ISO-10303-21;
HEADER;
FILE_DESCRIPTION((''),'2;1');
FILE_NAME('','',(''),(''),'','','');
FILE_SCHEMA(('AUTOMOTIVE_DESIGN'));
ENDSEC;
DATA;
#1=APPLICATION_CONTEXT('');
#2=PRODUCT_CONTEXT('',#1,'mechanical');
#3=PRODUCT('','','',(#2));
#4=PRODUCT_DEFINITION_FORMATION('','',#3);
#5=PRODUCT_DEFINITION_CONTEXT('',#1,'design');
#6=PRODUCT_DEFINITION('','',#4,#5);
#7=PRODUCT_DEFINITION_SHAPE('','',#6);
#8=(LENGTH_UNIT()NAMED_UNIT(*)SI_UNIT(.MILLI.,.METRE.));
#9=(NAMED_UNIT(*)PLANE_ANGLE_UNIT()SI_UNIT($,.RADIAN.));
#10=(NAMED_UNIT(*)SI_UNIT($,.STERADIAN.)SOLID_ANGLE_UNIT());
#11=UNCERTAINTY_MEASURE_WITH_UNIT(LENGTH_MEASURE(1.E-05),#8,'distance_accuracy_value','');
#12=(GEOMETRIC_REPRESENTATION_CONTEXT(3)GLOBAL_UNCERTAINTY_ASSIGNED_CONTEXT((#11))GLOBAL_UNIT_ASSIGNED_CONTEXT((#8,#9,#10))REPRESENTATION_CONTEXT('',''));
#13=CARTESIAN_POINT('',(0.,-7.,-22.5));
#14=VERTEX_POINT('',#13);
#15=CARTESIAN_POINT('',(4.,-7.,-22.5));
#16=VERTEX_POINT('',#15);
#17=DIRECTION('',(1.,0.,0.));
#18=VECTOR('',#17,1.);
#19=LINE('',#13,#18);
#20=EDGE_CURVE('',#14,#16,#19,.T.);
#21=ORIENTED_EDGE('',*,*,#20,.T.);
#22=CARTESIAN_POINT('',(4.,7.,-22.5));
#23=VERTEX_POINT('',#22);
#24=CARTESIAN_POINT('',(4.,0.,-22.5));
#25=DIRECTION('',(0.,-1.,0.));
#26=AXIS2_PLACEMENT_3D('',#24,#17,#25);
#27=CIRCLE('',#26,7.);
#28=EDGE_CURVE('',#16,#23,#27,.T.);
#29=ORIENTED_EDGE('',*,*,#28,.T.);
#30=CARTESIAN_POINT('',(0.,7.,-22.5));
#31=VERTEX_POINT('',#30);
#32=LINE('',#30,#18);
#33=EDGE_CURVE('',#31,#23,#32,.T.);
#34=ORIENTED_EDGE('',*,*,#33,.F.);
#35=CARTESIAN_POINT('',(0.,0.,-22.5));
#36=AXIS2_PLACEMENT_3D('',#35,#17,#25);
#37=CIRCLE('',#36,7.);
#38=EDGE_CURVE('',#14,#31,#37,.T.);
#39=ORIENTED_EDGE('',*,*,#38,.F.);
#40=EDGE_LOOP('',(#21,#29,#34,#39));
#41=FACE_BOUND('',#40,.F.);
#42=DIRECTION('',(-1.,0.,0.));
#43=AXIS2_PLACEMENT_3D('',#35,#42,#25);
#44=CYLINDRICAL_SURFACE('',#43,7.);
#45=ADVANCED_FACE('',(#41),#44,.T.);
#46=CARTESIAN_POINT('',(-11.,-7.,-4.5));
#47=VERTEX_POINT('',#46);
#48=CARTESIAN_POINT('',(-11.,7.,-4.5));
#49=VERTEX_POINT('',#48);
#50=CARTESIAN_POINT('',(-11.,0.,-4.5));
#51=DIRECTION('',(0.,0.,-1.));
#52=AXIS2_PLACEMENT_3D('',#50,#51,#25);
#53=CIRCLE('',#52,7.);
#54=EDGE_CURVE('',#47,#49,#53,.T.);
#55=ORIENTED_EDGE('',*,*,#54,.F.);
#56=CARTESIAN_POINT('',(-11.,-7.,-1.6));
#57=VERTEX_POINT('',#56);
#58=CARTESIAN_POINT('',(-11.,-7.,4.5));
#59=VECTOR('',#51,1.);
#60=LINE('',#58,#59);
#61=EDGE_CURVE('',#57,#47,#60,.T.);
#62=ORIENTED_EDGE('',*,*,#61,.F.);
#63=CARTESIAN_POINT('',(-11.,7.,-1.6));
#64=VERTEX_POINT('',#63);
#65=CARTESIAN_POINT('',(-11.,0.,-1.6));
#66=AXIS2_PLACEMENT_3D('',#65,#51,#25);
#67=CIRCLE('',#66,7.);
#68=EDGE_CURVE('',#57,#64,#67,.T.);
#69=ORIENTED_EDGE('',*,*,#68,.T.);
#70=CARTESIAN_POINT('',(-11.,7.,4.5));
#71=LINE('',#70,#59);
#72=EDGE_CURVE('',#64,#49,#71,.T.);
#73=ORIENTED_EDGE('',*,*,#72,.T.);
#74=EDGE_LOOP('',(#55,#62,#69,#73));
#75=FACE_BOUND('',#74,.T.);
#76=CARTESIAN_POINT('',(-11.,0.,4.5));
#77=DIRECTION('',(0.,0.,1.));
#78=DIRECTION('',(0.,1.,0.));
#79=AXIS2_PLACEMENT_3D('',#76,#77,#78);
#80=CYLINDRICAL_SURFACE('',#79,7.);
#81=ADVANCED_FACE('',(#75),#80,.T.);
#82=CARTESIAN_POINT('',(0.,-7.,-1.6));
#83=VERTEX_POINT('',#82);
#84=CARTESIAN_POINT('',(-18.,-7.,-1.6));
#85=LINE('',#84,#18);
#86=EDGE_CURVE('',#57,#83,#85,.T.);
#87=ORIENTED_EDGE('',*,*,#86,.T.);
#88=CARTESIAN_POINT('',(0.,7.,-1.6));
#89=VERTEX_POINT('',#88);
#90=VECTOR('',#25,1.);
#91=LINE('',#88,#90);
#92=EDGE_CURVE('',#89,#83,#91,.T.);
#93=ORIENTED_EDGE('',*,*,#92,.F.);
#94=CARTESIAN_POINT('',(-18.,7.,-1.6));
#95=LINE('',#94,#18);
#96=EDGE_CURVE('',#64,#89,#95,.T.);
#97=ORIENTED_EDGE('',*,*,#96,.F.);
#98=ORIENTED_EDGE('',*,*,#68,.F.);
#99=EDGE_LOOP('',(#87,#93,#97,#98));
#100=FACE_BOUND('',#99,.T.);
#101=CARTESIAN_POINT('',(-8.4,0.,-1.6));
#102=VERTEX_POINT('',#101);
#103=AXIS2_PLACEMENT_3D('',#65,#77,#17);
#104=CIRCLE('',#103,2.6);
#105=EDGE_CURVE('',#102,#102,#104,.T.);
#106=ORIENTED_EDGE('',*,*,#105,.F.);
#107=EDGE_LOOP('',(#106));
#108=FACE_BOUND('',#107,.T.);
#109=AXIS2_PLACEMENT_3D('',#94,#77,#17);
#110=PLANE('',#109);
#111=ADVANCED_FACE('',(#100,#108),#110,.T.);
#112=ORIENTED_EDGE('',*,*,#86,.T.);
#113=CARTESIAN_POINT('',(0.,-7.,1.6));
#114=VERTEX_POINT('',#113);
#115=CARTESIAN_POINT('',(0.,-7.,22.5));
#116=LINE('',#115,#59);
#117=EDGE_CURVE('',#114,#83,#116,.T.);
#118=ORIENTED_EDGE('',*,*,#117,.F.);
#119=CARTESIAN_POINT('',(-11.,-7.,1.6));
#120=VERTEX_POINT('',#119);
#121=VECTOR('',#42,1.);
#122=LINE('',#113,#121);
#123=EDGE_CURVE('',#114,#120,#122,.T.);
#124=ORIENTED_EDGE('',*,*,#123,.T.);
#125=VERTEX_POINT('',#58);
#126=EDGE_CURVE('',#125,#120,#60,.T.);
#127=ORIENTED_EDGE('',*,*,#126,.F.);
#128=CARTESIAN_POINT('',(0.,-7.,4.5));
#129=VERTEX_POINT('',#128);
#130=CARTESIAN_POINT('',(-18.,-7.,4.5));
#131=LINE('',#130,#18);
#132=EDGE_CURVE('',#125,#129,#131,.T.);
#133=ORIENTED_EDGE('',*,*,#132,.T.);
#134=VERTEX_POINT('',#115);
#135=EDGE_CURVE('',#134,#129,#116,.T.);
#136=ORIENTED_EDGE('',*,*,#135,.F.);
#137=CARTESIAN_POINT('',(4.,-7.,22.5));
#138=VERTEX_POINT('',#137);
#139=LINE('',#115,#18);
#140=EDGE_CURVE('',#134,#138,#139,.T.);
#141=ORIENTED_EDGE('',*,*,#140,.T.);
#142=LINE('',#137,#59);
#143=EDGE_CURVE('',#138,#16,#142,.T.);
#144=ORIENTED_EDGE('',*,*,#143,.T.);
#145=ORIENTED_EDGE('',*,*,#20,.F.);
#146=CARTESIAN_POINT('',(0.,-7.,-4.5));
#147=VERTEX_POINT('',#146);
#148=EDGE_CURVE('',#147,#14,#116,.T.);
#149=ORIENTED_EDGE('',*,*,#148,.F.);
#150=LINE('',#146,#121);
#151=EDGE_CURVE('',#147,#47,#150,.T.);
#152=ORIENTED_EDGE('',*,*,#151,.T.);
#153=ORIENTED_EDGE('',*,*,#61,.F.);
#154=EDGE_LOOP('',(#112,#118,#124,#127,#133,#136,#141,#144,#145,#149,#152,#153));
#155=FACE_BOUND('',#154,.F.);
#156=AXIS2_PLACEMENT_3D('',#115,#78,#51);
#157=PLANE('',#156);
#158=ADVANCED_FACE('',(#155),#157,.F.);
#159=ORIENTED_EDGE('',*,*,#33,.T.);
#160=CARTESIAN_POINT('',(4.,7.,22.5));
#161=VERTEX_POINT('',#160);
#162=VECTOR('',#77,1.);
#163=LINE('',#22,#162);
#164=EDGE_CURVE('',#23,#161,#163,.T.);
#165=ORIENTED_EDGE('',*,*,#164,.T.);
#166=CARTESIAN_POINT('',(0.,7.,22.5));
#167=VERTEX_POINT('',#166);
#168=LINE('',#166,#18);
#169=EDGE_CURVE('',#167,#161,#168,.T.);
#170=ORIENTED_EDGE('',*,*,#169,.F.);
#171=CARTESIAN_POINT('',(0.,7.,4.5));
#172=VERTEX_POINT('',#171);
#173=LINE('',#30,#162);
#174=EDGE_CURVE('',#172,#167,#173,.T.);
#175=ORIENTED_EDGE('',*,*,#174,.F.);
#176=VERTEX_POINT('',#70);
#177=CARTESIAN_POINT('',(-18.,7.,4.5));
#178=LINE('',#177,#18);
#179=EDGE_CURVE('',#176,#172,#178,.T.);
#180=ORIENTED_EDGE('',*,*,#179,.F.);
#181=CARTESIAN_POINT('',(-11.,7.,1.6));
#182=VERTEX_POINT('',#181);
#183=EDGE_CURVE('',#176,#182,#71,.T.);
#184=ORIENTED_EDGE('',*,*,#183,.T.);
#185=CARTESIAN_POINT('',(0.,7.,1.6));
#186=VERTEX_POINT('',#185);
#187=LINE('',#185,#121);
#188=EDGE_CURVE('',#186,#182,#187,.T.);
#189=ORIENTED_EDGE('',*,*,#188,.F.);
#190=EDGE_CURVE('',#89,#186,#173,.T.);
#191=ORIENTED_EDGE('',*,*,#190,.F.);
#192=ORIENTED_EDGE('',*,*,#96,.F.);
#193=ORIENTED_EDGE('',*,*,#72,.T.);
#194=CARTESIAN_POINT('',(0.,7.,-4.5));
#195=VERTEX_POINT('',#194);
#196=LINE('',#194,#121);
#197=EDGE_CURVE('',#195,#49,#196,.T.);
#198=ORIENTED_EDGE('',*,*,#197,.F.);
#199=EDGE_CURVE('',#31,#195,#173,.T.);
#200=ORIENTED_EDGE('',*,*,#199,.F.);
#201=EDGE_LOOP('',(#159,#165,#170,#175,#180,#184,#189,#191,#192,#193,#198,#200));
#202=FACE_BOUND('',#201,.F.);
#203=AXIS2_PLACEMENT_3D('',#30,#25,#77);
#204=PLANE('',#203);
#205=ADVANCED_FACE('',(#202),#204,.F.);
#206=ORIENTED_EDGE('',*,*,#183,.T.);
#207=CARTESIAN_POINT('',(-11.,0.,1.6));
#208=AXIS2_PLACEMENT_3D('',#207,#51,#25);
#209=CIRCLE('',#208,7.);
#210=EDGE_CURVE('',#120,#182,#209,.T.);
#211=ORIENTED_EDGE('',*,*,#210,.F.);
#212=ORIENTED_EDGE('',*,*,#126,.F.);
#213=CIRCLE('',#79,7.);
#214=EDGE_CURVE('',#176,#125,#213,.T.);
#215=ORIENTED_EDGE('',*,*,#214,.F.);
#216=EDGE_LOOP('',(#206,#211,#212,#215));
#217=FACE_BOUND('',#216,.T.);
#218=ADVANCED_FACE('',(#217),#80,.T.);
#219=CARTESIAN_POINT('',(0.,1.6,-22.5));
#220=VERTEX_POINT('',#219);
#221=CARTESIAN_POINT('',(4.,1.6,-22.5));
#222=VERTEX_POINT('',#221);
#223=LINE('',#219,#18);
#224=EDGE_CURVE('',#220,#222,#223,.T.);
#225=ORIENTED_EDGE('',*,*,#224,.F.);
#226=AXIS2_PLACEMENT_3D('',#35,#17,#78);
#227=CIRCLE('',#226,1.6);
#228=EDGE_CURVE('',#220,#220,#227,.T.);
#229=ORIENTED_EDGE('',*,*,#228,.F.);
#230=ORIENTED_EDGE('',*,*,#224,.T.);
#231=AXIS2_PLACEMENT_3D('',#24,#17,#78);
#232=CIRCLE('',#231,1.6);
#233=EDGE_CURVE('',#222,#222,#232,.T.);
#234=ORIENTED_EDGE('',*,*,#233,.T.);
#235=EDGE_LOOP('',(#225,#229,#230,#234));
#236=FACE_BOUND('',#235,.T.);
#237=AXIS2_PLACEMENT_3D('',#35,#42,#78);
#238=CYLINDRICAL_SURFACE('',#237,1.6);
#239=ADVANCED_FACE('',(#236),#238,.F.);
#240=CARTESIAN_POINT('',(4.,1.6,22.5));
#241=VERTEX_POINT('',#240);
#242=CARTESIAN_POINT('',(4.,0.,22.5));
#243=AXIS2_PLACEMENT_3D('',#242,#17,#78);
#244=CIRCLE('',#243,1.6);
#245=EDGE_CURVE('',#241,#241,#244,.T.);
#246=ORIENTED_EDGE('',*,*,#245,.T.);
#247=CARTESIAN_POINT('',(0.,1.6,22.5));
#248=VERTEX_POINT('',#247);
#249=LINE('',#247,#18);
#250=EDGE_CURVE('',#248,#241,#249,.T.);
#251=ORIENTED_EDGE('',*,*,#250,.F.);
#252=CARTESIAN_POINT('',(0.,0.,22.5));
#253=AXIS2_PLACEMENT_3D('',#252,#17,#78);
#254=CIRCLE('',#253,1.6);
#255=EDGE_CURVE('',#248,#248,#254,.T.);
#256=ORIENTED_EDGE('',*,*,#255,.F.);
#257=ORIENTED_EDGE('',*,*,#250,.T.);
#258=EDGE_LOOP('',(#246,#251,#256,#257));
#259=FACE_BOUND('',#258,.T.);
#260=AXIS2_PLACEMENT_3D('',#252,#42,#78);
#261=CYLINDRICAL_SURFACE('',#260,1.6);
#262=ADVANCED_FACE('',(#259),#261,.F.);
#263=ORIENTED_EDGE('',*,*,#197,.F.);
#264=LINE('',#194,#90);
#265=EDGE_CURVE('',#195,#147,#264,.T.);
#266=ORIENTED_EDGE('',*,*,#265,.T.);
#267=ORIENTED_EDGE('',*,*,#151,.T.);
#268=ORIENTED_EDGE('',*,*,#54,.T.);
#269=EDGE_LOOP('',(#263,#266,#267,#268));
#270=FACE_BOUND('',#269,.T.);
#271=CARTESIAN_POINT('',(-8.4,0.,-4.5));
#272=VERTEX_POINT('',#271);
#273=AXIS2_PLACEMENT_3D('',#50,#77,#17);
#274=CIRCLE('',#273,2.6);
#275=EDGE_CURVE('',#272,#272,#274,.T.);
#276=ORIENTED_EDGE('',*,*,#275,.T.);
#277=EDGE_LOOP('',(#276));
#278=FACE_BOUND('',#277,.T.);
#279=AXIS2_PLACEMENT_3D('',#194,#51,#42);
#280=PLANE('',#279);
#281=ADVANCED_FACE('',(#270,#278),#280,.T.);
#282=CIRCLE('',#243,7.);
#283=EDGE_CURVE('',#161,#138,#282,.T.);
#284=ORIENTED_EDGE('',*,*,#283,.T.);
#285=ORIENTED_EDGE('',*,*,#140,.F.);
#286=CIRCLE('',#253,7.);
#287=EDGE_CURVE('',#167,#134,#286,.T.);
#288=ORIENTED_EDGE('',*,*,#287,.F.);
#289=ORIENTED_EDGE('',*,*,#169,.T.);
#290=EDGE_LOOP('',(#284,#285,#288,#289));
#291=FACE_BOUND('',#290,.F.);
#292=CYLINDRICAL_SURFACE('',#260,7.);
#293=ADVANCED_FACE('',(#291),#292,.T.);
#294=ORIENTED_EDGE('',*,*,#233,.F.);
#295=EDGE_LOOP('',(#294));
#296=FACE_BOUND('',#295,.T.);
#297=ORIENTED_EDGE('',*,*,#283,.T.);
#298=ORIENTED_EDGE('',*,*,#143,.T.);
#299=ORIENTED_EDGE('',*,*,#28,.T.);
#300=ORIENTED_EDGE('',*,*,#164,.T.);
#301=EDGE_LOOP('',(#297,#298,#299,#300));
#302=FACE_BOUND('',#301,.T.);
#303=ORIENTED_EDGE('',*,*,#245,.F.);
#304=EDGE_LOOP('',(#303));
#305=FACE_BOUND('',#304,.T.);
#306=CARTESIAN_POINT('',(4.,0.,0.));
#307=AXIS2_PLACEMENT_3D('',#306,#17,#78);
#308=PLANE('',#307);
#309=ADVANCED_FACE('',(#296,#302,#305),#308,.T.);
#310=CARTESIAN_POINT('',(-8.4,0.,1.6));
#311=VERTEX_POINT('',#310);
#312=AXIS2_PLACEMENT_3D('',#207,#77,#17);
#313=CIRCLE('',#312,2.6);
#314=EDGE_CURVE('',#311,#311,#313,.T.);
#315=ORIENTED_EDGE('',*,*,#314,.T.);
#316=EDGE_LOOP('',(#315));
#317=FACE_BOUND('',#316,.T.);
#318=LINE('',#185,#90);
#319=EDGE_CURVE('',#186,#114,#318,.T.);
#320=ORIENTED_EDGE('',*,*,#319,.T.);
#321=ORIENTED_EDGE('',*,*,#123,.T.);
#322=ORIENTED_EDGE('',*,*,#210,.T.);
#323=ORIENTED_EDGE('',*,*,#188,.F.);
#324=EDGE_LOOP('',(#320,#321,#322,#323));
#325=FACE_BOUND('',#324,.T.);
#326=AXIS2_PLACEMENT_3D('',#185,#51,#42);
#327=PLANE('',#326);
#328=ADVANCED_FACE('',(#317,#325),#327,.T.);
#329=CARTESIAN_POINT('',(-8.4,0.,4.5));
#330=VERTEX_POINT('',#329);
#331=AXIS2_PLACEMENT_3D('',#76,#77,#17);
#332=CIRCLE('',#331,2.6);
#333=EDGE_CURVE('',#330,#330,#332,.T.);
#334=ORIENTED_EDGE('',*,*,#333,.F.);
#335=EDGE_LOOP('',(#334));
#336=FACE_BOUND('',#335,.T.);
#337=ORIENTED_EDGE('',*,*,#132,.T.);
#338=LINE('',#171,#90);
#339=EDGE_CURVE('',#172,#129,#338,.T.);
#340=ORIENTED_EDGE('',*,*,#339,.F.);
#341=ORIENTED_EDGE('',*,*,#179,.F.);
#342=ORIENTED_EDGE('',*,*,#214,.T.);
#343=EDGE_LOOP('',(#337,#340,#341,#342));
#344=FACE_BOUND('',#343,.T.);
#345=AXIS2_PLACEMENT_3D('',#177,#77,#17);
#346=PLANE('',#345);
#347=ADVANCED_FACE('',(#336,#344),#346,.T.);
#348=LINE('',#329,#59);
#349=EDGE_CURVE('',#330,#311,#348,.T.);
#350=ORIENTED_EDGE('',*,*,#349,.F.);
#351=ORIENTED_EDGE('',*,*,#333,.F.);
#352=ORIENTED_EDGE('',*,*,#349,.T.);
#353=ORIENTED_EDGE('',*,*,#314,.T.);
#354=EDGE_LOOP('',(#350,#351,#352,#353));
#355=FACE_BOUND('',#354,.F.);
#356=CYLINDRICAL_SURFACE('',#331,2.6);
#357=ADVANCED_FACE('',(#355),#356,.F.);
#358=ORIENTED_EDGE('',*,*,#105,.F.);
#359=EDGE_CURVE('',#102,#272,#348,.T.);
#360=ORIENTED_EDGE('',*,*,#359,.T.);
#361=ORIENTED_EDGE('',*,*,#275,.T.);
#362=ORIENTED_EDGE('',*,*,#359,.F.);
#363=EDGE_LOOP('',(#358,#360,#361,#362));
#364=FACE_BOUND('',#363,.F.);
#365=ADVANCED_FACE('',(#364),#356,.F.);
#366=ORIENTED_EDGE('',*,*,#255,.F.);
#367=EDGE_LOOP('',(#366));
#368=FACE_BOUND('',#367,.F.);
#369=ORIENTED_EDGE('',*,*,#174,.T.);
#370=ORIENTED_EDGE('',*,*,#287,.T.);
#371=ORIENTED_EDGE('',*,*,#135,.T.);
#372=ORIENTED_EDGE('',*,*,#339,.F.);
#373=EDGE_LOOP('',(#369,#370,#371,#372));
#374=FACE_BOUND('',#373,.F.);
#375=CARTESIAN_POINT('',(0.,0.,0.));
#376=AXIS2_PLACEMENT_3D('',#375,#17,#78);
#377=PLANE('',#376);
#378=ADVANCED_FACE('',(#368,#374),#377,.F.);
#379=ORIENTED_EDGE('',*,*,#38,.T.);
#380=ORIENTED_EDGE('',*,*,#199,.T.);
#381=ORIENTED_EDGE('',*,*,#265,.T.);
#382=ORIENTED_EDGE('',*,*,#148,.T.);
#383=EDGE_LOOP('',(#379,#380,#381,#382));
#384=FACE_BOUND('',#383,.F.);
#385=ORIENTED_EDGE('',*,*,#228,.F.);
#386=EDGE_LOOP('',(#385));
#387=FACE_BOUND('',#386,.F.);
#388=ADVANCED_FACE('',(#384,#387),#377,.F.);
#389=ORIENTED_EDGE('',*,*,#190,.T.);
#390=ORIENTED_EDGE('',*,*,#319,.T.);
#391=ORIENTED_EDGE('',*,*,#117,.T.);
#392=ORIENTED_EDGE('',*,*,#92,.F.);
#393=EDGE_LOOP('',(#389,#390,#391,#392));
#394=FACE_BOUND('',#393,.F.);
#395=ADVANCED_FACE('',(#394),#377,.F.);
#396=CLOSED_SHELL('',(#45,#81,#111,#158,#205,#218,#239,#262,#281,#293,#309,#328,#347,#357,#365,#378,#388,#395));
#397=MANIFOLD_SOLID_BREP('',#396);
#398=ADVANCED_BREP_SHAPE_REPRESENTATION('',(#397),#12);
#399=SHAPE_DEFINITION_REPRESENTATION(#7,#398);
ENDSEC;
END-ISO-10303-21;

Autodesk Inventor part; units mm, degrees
ref_plane "YZ Plane" through (0, 0, 0) normal (1, 0, 0) x (0, 1, 0)
ref_plane "XZ Plane" through (0, 0, 0) normal (0, 1, 0) x (-1, 0, 0)
ref_plane "XY Plane" through (0, 0, 0) normal (0, 0, 1) x (1, 0, 0)
sketch "Esquisse1" plane through (0, 0, 0) normal (1, 0, 0) x (0, 1, 0)
  line L0 (0, 22.5) -> (0, -22.5) construction
  line L1 (-7, 22.5) -> (-7, -22.5)
  line L2 (7, -22.5) -> (7, 22.5)
  arc A0 (7, 22.5) -> (-7, 22.5) centre (0, 22.5) ccw
  arc A1 (-7, -22.5) -> (7, -22.5) centre (0, -22.5) ccw
  circle A2 centre (0, 22.5) radius 1.6
  circle A3 centre (0, -22.5) radius 1.6
  point P0 (0, 0)
  dimension "d0" = 45
  dimension "d1" = 3.2
  dimension "d2" = 14
extrude "Extrusion1" add sketch "Esquisse1" along normal blind 4
sketch "Esquisse2" plane through (0, 7, 22.5) normal (0, 1, 0) x (1, 0, 0)
  line L0 (0, 51.1) -> (0, 0)
  line L1 (-18, 24.1) -> (0, 24.1)
  line L2 (0, 24.1) -> (0, 27)
  line L3 (0, 27) -> (-18, 27)
  line L4 (-18, 27) -> (-18, 24.1)
  line L5 (-18, 24.1) -> (0, 27) construction
  line L6 (0, 24.1) -> (-18, 27) construction
  line L7 (-18, 18) -> (0, 18)
  line L8 (0, 18) -> (0, 20.9)
  line L9 (0, 20.9) -> (-18, 20.9)
  line L10 (-18, 20.9) -> (-18, 18)
  line L11 (-18, 18) -> (0, 20.9) construction
  line L12 (0, 18) -> (-18, 20.9) construction
  line L13 (0, 18) -> (0, 27) construction
  line L14 (0, 45) -> (0, 0) construction
  point P0 (0, 22.5)
  point P1 (-9, 25.55)
  point P2 (-9, 19.45)
  point P3 (0, 25.55)
  point P4 (0, 22.5)
  point P5 (0, 24.1)
  point P6 (0, 18)
  point P7 (0, 20.9)
  dimension "d6" = 2.9
  dimension "d7" = 18
  dimension "d10" = 3.2
extrude "Extrusion2" add sketch "Esquisse2" against normal up to surface (14 mm away)
sketch "Esquisse3" plane through (-18, 7, 4.5) normal (0, 0, 1) x (1, 0, 0)
  arc A0 (7, 0) -> (7, -14) centre (7, -7) ccw
  line L0 (0, 0) -> (18, 0) construction
  line L1 (7, 0) -> (18, 0)
  line L2 (18, -14) -> (7, -14)
  line L3 (18, 0) -> (18, 5)
  line L4 (18, 5) -> (-5, 5)
  line L5 (-5, 5) -> (-5, -19)
  line L6 (-5, -19) -> (18, -19)
  line L7 (18, -19) -> (18, -14)
  line L8 (18, 0) -> (18, -14) projected
  line L9 (0, 0) -> (0, -14) construction
  line L10 (0, -7) -> (-5, -7) construction
  circle A1 centre (7, -7) radius 2.6
  point P0 (18, -7)
  dimension "d11" = 14
  dimension "d12" = 5
  dimension "d16" = 5.2
extrude "Extrusion3" cut sketch "Esquisse3" against normal through all contours A0 L2 L7 L6 L5 L4 L3 L1 | A1
properties part number "support_realsense"
